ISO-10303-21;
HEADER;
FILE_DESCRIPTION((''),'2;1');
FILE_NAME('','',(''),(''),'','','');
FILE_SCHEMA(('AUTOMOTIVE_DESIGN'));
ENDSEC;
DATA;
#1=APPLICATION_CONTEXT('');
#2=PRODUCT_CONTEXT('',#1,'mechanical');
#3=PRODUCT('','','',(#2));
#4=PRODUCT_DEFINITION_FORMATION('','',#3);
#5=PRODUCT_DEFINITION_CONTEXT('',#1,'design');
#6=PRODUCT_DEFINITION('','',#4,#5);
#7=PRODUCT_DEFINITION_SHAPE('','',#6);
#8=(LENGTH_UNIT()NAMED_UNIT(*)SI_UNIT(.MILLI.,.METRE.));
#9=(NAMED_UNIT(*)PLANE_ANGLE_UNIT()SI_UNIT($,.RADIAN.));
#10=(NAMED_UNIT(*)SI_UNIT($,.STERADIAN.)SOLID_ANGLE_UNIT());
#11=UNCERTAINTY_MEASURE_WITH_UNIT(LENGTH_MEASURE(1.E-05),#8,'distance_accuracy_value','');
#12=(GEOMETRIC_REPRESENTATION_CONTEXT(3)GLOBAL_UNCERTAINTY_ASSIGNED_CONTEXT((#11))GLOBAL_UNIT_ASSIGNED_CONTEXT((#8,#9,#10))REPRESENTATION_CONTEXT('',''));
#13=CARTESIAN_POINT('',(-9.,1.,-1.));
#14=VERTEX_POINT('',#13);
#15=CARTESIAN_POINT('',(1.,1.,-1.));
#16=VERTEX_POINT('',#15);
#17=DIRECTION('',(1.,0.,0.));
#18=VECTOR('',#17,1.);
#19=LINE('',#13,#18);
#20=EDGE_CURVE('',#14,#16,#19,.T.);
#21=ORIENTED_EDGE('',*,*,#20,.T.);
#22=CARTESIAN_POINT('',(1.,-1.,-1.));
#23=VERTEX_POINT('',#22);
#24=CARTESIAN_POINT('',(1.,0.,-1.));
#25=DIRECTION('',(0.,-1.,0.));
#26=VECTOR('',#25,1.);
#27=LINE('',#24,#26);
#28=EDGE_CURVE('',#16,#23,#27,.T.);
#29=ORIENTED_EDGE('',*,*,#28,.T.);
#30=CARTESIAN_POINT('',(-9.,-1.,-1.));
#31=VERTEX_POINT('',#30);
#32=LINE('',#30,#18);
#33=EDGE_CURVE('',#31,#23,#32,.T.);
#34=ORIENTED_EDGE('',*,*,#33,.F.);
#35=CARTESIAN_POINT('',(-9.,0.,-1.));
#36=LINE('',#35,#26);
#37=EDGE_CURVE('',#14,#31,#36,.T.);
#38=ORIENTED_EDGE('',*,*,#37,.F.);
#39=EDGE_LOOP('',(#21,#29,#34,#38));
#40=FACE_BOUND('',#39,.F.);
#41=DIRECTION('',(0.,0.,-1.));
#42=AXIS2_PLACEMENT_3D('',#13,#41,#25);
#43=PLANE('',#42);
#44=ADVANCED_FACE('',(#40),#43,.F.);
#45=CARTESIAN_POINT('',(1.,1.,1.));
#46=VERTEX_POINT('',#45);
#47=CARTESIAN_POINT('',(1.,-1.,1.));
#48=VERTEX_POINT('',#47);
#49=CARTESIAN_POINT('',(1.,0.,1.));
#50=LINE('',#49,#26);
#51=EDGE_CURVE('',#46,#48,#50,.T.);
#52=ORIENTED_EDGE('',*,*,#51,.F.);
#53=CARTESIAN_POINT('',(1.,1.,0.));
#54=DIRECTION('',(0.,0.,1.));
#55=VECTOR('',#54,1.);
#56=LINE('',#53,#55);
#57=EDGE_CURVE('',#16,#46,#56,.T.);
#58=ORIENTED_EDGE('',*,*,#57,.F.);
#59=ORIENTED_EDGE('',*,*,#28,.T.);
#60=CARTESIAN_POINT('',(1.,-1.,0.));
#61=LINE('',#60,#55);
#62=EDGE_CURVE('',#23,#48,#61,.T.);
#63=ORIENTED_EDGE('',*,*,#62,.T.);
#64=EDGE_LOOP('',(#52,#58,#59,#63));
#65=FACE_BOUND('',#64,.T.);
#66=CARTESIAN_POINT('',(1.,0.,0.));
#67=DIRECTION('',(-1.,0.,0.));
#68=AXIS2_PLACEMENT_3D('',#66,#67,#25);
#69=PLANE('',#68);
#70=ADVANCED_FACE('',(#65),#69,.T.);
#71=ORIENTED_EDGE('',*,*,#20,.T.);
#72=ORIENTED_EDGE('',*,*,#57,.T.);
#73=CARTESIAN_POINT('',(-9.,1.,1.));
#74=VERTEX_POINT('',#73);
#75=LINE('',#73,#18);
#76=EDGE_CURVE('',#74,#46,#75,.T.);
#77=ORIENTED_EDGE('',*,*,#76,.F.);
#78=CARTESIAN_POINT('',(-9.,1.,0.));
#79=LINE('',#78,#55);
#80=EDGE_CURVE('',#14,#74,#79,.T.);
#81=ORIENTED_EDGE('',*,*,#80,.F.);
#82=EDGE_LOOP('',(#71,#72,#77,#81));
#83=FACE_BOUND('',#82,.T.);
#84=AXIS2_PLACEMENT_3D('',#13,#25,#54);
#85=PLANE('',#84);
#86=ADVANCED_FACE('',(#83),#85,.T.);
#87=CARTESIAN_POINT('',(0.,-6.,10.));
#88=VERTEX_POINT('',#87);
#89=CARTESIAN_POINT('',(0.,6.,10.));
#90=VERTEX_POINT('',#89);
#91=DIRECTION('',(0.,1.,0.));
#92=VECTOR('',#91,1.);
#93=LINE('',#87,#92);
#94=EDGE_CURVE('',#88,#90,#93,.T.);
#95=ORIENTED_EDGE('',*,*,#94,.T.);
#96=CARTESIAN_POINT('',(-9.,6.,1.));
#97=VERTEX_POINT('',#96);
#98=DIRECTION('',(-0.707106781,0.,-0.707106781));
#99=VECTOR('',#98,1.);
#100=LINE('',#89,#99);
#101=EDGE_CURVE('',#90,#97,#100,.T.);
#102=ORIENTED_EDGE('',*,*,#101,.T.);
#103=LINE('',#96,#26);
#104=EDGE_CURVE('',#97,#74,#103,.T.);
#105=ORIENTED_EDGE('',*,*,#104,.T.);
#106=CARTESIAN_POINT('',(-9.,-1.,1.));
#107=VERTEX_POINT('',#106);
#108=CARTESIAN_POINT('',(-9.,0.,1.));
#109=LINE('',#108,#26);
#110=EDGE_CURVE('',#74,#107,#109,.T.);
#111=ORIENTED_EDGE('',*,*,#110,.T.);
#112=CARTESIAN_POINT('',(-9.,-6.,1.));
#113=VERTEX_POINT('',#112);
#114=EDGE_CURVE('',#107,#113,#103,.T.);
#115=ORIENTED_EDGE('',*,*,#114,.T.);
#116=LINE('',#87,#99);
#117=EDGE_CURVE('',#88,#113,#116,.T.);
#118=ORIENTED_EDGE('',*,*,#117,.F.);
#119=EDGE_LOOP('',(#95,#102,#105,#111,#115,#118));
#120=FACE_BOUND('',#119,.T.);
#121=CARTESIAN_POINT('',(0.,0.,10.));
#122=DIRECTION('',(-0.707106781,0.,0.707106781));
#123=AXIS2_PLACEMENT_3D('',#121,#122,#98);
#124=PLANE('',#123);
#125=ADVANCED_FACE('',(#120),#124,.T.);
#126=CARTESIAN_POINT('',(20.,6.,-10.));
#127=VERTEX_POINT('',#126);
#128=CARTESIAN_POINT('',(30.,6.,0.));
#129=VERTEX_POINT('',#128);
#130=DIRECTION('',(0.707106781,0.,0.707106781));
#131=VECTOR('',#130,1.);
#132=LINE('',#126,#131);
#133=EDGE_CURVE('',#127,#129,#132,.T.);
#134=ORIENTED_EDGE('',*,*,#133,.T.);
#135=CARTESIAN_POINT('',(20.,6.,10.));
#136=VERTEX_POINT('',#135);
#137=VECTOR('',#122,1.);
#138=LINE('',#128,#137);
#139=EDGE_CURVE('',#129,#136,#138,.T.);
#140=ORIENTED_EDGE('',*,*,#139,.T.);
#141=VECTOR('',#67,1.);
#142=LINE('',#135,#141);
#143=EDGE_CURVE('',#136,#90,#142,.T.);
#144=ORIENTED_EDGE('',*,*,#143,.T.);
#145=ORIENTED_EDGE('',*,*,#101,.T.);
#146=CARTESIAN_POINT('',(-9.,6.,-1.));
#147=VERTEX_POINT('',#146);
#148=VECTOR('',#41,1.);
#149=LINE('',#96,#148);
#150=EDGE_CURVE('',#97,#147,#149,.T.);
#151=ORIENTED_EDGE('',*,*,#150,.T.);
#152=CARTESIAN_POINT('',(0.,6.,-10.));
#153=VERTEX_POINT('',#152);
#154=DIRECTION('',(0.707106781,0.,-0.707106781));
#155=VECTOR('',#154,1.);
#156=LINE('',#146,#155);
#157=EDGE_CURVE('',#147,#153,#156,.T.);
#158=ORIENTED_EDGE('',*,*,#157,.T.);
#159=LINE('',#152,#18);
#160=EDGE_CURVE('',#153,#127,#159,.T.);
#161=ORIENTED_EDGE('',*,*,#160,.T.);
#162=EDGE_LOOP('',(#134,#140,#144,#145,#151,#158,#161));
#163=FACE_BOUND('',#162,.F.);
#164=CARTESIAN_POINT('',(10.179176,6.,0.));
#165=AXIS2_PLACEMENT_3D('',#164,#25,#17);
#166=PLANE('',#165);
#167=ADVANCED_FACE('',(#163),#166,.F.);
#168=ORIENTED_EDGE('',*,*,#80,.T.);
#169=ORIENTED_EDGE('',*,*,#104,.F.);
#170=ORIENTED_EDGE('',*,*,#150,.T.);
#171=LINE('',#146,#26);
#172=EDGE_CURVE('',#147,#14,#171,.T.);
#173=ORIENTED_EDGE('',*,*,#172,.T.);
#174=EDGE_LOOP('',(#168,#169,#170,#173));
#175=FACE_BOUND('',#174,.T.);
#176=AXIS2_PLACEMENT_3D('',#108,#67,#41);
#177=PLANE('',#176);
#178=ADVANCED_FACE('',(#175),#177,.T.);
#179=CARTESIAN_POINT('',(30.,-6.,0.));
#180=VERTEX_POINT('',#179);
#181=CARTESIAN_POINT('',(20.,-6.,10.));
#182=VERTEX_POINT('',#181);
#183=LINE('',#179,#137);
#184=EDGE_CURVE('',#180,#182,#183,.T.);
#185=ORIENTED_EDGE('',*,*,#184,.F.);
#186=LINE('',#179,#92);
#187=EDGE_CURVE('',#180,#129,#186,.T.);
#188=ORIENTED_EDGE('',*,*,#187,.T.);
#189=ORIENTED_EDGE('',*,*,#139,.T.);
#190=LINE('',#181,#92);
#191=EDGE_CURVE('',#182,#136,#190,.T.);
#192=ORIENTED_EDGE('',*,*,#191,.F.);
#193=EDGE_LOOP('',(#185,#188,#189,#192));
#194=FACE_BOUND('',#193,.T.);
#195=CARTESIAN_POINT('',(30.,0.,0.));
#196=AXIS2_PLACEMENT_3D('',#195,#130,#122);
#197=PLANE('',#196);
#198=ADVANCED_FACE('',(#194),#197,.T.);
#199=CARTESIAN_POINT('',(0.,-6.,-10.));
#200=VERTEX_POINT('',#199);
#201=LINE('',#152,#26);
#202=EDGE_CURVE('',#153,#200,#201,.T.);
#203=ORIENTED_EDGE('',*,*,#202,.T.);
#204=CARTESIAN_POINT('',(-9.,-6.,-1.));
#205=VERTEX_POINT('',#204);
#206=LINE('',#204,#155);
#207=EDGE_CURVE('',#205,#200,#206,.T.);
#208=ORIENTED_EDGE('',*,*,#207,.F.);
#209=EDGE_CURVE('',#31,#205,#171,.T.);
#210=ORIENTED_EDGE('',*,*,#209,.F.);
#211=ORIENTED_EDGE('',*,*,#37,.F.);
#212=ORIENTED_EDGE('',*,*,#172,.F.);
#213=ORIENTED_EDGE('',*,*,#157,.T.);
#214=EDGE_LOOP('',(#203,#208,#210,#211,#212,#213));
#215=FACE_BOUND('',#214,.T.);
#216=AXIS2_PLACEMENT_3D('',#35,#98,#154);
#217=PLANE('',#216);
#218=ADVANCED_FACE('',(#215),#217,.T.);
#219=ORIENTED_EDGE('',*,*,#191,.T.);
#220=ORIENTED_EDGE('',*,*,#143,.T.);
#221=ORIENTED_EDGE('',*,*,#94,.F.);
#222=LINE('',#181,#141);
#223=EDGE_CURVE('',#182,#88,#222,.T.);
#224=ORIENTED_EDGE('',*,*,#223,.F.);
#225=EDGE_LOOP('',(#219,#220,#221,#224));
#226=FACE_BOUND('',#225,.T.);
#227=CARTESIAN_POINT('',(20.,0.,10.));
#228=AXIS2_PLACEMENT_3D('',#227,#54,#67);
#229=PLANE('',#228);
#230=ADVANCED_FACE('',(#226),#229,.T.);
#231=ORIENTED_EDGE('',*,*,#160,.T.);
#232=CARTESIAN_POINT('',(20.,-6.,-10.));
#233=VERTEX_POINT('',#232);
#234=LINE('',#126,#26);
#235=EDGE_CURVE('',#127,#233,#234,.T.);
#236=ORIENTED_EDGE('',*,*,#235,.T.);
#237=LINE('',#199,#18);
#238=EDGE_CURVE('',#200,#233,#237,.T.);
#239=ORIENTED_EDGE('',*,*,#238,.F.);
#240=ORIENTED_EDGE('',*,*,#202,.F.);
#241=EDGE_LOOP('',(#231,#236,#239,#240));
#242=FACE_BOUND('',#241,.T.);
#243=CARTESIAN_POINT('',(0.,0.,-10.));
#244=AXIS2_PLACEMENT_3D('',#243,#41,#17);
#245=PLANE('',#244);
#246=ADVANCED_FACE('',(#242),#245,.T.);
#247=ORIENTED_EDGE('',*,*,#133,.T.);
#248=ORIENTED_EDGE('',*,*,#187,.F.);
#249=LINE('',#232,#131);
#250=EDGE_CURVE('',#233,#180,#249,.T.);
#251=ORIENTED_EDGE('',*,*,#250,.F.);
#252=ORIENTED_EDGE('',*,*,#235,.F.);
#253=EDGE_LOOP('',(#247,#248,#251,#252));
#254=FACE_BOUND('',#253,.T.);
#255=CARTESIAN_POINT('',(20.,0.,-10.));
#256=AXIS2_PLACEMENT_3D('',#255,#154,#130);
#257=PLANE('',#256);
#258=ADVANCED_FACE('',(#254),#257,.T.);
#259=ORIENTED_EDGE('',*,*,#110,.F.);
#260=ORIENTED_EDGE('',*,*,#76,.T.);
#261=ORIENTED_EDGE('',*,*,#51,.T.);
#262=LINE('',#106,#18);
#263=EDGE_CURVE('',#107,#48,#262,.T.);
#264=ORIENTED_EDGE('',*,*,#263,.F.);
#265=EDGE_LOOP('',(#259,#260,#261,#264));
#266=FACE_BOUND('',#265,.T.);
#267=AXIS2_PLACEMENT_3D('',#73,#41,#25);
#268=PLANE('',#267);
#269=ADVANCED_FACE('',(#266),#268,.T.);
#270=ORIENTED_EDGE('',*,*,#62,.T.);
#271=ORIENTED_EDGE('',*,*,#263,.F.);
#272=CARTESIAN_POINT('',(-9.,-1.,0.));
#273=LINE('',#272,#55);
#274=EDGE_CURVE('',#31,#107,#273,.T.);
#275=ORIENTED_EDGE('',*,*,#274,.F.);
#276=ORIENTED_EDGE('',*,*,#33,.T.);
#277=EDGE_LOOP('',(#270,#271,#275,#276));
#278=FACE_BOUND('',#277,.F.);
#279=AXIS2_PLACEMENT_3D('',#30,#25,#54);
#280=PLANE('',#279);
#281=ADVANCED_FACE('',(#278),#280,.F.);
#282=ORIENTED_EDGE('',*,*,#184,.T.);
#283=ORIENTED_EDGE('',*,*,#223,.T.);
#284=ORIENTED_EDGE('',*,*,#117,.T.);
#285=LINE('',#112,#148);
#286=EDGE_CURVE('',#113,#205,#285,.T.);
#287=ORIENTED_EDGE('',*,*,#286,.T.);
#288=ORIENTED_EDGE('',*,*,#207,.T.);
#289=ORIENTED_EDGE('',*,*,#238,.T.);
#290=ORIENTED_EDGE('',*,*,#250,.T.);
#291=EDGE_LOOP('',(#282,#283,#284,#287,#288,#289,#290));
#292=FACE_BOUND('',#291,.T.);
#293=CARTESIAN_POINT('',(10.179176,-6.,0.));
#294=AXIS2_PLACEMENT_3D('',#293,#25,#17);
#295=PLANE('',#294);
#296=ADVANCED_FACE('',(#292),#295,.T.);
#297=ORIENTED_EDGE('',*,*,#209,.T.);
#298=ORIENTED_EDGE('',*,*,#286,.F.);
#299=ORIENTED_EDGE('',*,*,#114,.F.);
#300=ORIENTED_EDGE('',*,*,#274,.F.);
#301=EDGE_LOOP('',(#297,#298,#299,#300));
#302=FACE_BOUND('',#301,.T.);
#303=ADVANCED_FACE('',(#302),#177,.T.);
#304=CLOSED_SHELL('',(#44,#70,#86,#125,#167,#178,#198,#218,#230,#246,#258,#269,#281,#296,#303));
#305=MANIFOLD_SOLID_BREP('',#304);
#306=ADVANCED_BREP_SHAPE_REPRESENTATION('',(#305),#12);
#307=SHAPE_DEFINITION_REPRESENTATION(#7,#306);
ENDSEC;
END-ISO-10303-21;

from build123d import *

# Parameters (mm, degrees)
F2_DEPTH      = 6
F2_DEPTH_BACK = 6
F1_W          = 2
F1_H          = 2
F3_DEPTH      = 10


with BuildPart() as f2:
    # F0 (on Front) → F2 (new body, two sides)
    with BuildSketch(Plane.XZ) as f2_sk:
        Polygon((0, 10), (-9, 1), (-9, -1), (0, -10), (20, -10), (30, 0), (20, 10), align=None)
    extrude(amount=F2_DEPTH)
    extrude(f2_sk.sketch, amount=-F2_DEPTH_BACK)

    # F1 (on face) → F3 (cut)
    with BuildSketch(Plane(origin=(-9, 0, 0), x_dir=(0, -1, 0), z_dir=(-1, 0, 0))):
        Rectangle(F1_W, F1_H)
    extrude(amount=-F3_DEPTH, mode=Mode.SUBTRACT)


solid = f2.part
